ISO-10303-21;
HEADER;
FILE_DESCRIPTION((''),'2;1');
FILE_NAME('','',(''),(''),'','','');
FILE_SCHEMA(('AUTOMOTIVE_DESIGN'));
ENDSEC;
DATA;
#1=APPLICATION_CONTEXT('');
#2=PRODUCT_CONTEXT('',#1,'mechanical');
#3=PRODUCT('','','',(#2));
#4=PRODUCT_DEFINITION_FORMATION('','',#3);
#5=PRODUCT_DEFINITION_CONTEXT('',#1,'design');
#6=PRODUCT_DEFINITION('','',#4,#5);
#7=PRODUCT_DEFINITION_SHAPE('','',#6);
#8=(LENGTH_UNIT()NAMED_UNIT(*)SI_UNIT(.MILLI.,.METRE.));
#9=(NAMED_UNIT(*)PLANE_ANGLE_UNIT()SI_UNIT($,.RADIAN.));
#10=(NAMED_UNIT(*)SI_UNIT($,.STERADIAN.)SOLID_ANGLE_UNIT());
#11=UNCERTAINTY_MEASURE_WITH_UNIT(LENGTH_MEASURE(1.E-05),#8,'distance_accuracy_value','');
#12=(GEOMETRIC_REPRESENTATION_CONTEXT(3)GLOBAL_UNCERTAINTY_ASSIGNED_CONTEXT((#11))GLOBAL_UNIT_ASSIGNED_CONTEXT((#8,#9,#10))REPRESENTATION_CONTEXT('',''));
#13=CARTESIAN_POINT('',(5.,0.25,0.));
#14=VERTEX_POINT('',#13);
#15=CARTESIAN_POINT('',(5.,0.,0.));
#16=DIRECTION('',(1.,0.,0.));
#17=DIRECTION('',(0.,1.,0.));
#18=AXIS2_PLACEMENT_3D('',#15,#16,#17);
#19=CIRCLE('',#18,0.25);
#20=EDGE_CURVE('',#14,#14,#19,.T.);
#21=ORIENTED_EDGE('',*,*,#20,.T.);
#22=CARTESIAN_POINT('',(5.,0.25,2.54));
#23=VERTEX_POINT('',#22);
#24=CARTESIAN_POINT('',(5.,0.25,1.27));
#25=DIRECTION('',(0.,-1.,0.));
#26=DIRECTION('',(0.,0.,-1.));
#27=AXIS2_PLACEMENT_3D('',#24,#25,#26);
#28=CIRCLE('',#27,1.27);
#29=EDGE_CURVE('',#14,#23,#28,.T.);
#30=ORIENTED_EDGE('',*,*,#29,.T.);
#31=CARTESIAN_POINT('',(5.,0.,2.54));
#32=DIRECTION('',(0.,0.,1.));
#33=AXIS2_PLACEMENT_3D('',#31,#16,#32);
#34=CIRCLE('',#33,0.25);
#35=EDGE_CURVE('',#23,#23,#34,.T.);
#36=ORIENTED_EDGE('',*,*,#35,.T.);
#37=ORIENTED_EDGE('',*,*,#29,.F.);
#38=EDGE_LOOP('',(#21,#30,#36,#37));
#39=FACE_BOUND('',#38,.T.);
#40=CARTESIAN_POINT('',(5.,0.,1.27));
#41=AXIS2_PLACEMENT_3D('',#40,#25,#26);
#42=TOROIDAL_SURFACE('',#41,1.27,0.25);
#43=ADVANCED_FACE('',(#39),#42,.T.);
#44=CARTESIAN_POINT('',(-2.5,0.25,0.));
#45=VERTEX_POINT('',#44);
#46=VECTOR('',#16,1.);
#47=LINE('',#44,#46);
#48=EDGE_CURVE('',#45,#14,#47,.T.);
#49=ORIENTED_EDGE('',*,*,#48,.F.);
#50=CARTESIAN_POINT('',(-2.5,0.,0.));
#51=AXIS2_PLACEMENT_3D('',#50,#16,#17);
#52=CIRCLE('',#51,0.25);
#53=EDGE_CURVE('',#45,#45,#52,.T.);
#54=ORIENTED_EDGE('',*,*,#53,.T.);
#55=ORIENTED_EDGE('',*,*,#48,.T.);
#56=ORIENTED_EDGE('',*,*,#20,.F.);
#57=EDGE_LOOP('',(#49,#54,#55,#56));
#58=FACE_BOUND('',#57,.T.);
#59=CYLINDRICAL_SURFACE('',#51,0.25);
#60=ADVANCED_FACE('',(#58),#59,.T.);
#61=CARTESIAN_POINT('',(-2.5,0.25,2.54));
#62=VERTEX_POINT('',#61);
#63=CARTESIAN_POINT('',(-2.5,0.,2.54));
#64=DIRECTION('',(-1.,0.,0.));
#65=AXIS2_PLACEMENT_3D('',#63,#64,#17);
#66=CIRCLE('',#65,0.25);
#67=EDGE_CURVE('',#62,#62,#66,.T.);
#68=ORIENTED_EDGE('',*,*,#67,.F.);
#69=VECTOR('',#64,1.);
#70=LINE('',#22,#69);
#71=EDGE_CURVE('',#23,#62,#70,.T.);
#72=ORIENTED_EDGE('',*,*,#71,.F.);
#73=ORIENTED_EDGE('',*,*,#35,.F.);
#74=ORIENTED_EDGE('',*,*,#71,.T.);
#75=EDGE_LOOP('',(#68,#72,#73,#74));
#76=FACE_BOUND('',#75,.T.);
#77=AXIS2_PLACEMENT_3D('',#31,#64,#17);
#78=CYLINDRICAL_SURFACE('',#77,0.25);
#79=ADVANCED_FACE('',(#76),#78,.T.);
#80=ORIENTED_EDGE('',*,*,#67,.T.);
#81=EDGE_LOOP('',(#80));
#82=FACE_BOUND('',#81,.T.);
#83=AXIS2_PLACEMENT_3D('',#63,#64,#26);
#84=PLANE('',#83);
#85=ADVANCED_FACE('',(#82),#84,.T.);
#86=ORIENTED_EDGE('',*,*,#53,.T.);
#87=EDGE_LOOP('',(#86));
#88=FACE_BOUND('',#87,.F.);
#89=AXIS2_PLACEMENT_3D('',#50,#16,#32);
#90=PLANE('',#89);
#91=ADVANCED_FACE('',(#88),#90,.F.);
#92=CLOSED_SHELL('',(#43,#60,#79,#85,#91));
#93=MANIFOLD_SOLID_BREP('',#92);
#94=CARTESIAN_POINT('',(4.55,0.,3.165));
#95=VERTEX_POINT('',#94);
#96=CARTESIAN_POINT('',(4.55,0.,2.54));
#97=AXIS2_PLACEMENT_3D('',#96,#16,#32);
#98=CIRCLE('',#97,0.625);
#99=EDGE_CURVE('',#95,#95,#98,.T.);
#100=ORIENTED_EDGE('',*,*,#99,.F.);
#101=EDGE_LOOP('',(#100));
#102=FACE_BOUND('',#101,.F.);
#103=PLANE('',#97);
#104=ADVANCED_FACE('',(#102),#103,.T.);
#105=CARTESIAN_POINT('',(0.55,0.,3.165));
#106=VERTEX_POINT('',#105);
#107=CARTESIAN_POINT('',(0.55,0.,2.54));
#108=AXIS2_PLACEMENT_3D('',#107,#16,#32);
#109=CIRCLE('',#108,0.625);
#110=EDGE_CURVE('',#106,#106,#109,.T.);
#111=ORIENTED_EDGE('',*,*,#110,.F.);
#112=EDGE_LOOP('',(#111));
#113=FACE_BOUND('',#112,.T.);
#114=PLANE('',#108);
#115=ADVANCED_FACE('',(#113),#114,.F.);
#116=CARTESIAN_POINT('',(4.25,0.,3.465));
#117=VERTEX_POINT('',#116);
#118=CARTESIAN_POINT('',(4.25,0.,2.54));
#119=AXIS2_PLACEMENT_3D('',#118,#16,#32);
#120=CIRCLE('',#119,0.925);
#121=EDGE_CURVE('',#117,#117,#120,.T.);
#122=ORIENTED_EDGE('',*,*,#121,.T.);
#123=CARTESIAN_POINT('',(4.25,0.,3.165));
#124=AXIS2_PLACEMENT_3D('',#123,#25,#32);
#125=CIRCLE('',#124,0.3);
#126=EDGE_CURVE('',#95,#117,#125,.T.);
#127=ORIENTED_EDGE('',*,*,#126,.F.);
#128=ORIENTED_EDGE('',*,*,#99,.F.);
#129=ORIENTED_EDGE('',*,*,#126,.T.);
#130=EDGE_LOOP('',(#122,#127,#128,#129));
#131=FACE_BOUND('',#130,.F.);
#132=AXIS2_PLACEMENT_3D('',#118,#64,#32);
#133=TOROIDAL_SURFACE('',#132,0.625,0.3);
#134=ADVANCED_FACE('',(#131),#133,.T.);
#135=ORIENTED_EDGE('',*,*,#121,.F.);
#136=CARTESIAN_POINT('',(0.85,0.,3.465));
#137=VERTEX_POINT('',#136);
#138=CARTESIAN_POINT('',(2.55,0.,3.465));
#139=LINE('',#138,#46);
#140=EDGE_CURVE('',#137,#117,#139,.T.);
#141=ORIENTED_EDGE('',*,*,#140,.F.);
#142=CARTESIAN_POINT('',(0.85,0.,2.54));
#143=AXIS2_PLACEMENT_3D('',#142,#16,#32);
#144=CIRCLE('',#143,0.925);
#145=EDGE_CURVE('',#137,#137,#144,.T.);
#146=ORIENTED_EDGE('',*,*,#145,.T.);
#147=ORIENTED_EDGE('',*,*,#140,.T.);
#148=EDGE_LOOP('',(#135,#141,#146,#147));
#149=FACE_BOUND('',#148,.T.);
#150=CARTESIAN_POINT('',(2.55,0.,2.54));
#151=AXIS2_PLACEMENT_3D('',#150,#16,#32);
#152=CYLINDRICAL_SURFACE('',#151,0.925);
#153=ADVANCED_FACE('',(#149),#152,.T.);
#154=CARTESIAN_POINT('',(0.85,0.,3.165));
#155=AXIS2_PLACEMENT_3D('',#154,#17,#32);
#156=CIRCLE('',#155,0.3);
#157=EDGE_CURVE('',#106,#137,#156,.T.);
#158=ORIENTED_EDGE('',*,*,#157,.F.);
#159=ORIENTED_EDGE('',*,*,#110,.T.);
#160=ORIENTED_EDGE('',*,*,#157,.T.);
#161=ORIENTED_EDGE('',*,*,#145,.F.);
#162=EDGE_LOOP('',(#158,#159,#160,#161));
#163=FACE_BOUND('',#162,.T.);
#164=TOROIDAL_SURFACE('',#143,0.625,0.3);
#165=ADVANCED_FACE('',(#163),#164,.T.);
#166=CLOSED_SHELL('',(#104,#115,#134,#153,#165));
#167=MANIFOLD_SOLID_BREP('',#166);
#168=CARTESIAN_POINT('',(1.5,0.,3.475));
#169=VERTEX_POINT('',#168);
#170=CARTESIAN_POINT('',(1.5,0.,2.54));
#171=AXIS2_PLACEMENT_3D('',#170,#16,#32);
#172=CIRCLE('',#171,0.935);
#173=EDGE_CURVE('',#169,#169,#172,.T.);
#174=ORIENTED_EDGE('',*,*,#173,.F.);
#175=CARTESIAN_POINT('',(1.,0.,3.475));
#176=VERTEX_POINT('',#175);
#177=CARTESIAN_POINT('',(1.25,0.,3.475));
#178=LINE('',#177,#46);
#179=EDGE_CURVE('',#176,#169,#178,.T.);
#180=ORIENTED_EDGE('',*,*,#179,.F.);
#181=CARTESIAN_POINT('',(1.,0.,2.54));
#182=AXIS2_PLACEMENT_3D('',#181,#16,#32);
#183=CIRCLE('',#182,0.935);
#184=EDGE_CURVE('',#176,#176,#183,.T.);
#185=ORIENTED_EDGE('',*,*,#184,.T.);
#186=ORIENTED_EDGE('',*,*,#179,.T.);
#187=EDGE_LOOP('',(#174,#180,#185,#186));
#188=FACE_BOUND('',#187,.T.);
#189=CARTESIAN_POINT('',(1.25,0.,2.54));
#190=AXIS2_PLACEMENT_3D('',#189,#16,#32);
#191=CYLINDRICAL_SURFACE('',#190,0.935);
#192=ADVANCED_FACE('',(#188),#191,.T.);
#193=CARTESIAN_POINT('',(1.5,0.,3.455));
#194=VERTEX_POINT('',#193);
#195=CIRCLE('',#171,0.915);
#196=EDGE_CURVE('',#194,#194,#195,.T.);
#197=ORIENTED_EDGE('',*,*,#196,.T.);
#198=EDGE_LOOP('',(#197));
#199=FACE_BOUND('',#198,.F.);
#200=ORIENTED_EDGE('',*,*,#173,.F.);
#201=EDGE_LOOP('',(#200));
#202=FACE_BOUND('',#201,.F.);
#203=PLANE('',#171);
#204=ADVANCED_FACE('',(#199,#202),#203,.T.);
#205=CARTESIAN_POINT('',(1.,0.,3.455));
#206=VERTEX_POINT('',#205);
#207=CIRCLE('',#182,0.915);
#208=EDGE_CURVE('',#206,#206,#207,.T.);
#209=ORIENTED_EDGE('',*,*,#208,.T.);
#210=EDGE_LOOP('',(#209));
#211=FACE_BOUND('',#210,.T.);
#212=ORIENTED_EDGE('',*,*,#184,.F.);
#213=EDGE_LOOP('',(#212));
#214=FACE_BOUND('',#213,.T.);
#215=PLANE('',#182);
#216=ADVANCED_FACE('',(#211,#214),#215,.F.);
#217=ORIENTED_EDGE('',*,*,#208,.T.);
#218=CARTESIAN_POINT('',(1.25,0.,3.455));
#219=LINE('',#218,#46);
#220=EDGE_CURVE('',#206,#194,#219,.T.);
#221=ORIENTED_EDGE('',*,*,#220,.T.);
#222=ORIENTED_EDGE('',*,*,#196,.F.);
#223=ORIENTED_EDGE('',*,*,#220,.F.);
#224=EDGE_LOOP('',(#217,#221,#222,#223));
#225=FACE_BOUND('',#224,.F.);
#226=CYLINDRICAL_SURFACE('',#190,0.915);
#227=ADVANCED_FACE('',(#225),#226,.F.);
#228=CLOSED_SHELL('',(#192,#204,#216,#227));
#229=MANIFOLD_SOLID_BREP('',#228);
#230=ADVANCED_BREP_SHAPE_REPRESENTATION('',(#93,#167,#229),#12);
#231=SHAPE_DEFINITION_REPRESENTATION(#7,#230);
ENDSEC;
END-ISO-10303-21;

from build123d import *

# Parameters (mm, degrees)
SKETCH_R    = 0.25
SKETCH002_W = 4
SKETCH002_H = 0.925
FILLET_R    = 0.3
SKETCH003_W = 0.5
SKETCH003_H = 0.02


with BuildPart() as sweep_body:
    # Sweep: sweep along a path in Sketch001
    with BuildLine(Plane.XZ) as sweep_path:
        Line((-2.5, 0), (5, 0))
        ThreePointArc((5, 0), (6.27, 1.27), (5, 2.54))
        Line((5, 2.54), (-2.5, 2.54))
    # Sketch → Sweep (sweep)
    with BuildSketch(Plane.YZ.offset(-2.5)):
        Circle(SKETCH_R)
    sweep(path=sweep_path.line, is_frenet=True)


with BuildPart() as fillet_body:
    # Sketch002 → Revolution (revolve)
    with BuildSketch(Plane.XZ):
        with Locations((2.55, 3.0025)):
            Rectangle(SKETCH002_W, SKETCH002_H)
    revolve(axis=Axis((0.55, 0, 2.54), (1, 0, 0)))

    # Fillet
    fillet_edges = [fillet_body.edges().sort_by_distance(p)[0] for p in [
        (0.55, 0, 1.615),
        (4.55, 0, 1.615),
    ]]
    fillet(fillet_edges, radius=FILLET_R)


with BuildPart() as revolution001:
    # Sketch003 → Revolution001 (revolve)
    with BuildSketch(Plane.XZ):
        with Locations((1.25, 3.465)):
            Rectangle(SKETCH003_W, SKETCH003_H)
    revolve(axis=Axis((0, 0, 2.54), (1, 0, 0)))


solid = Compound([sweep_body.part, fillet_body.part, revolution001.part])
